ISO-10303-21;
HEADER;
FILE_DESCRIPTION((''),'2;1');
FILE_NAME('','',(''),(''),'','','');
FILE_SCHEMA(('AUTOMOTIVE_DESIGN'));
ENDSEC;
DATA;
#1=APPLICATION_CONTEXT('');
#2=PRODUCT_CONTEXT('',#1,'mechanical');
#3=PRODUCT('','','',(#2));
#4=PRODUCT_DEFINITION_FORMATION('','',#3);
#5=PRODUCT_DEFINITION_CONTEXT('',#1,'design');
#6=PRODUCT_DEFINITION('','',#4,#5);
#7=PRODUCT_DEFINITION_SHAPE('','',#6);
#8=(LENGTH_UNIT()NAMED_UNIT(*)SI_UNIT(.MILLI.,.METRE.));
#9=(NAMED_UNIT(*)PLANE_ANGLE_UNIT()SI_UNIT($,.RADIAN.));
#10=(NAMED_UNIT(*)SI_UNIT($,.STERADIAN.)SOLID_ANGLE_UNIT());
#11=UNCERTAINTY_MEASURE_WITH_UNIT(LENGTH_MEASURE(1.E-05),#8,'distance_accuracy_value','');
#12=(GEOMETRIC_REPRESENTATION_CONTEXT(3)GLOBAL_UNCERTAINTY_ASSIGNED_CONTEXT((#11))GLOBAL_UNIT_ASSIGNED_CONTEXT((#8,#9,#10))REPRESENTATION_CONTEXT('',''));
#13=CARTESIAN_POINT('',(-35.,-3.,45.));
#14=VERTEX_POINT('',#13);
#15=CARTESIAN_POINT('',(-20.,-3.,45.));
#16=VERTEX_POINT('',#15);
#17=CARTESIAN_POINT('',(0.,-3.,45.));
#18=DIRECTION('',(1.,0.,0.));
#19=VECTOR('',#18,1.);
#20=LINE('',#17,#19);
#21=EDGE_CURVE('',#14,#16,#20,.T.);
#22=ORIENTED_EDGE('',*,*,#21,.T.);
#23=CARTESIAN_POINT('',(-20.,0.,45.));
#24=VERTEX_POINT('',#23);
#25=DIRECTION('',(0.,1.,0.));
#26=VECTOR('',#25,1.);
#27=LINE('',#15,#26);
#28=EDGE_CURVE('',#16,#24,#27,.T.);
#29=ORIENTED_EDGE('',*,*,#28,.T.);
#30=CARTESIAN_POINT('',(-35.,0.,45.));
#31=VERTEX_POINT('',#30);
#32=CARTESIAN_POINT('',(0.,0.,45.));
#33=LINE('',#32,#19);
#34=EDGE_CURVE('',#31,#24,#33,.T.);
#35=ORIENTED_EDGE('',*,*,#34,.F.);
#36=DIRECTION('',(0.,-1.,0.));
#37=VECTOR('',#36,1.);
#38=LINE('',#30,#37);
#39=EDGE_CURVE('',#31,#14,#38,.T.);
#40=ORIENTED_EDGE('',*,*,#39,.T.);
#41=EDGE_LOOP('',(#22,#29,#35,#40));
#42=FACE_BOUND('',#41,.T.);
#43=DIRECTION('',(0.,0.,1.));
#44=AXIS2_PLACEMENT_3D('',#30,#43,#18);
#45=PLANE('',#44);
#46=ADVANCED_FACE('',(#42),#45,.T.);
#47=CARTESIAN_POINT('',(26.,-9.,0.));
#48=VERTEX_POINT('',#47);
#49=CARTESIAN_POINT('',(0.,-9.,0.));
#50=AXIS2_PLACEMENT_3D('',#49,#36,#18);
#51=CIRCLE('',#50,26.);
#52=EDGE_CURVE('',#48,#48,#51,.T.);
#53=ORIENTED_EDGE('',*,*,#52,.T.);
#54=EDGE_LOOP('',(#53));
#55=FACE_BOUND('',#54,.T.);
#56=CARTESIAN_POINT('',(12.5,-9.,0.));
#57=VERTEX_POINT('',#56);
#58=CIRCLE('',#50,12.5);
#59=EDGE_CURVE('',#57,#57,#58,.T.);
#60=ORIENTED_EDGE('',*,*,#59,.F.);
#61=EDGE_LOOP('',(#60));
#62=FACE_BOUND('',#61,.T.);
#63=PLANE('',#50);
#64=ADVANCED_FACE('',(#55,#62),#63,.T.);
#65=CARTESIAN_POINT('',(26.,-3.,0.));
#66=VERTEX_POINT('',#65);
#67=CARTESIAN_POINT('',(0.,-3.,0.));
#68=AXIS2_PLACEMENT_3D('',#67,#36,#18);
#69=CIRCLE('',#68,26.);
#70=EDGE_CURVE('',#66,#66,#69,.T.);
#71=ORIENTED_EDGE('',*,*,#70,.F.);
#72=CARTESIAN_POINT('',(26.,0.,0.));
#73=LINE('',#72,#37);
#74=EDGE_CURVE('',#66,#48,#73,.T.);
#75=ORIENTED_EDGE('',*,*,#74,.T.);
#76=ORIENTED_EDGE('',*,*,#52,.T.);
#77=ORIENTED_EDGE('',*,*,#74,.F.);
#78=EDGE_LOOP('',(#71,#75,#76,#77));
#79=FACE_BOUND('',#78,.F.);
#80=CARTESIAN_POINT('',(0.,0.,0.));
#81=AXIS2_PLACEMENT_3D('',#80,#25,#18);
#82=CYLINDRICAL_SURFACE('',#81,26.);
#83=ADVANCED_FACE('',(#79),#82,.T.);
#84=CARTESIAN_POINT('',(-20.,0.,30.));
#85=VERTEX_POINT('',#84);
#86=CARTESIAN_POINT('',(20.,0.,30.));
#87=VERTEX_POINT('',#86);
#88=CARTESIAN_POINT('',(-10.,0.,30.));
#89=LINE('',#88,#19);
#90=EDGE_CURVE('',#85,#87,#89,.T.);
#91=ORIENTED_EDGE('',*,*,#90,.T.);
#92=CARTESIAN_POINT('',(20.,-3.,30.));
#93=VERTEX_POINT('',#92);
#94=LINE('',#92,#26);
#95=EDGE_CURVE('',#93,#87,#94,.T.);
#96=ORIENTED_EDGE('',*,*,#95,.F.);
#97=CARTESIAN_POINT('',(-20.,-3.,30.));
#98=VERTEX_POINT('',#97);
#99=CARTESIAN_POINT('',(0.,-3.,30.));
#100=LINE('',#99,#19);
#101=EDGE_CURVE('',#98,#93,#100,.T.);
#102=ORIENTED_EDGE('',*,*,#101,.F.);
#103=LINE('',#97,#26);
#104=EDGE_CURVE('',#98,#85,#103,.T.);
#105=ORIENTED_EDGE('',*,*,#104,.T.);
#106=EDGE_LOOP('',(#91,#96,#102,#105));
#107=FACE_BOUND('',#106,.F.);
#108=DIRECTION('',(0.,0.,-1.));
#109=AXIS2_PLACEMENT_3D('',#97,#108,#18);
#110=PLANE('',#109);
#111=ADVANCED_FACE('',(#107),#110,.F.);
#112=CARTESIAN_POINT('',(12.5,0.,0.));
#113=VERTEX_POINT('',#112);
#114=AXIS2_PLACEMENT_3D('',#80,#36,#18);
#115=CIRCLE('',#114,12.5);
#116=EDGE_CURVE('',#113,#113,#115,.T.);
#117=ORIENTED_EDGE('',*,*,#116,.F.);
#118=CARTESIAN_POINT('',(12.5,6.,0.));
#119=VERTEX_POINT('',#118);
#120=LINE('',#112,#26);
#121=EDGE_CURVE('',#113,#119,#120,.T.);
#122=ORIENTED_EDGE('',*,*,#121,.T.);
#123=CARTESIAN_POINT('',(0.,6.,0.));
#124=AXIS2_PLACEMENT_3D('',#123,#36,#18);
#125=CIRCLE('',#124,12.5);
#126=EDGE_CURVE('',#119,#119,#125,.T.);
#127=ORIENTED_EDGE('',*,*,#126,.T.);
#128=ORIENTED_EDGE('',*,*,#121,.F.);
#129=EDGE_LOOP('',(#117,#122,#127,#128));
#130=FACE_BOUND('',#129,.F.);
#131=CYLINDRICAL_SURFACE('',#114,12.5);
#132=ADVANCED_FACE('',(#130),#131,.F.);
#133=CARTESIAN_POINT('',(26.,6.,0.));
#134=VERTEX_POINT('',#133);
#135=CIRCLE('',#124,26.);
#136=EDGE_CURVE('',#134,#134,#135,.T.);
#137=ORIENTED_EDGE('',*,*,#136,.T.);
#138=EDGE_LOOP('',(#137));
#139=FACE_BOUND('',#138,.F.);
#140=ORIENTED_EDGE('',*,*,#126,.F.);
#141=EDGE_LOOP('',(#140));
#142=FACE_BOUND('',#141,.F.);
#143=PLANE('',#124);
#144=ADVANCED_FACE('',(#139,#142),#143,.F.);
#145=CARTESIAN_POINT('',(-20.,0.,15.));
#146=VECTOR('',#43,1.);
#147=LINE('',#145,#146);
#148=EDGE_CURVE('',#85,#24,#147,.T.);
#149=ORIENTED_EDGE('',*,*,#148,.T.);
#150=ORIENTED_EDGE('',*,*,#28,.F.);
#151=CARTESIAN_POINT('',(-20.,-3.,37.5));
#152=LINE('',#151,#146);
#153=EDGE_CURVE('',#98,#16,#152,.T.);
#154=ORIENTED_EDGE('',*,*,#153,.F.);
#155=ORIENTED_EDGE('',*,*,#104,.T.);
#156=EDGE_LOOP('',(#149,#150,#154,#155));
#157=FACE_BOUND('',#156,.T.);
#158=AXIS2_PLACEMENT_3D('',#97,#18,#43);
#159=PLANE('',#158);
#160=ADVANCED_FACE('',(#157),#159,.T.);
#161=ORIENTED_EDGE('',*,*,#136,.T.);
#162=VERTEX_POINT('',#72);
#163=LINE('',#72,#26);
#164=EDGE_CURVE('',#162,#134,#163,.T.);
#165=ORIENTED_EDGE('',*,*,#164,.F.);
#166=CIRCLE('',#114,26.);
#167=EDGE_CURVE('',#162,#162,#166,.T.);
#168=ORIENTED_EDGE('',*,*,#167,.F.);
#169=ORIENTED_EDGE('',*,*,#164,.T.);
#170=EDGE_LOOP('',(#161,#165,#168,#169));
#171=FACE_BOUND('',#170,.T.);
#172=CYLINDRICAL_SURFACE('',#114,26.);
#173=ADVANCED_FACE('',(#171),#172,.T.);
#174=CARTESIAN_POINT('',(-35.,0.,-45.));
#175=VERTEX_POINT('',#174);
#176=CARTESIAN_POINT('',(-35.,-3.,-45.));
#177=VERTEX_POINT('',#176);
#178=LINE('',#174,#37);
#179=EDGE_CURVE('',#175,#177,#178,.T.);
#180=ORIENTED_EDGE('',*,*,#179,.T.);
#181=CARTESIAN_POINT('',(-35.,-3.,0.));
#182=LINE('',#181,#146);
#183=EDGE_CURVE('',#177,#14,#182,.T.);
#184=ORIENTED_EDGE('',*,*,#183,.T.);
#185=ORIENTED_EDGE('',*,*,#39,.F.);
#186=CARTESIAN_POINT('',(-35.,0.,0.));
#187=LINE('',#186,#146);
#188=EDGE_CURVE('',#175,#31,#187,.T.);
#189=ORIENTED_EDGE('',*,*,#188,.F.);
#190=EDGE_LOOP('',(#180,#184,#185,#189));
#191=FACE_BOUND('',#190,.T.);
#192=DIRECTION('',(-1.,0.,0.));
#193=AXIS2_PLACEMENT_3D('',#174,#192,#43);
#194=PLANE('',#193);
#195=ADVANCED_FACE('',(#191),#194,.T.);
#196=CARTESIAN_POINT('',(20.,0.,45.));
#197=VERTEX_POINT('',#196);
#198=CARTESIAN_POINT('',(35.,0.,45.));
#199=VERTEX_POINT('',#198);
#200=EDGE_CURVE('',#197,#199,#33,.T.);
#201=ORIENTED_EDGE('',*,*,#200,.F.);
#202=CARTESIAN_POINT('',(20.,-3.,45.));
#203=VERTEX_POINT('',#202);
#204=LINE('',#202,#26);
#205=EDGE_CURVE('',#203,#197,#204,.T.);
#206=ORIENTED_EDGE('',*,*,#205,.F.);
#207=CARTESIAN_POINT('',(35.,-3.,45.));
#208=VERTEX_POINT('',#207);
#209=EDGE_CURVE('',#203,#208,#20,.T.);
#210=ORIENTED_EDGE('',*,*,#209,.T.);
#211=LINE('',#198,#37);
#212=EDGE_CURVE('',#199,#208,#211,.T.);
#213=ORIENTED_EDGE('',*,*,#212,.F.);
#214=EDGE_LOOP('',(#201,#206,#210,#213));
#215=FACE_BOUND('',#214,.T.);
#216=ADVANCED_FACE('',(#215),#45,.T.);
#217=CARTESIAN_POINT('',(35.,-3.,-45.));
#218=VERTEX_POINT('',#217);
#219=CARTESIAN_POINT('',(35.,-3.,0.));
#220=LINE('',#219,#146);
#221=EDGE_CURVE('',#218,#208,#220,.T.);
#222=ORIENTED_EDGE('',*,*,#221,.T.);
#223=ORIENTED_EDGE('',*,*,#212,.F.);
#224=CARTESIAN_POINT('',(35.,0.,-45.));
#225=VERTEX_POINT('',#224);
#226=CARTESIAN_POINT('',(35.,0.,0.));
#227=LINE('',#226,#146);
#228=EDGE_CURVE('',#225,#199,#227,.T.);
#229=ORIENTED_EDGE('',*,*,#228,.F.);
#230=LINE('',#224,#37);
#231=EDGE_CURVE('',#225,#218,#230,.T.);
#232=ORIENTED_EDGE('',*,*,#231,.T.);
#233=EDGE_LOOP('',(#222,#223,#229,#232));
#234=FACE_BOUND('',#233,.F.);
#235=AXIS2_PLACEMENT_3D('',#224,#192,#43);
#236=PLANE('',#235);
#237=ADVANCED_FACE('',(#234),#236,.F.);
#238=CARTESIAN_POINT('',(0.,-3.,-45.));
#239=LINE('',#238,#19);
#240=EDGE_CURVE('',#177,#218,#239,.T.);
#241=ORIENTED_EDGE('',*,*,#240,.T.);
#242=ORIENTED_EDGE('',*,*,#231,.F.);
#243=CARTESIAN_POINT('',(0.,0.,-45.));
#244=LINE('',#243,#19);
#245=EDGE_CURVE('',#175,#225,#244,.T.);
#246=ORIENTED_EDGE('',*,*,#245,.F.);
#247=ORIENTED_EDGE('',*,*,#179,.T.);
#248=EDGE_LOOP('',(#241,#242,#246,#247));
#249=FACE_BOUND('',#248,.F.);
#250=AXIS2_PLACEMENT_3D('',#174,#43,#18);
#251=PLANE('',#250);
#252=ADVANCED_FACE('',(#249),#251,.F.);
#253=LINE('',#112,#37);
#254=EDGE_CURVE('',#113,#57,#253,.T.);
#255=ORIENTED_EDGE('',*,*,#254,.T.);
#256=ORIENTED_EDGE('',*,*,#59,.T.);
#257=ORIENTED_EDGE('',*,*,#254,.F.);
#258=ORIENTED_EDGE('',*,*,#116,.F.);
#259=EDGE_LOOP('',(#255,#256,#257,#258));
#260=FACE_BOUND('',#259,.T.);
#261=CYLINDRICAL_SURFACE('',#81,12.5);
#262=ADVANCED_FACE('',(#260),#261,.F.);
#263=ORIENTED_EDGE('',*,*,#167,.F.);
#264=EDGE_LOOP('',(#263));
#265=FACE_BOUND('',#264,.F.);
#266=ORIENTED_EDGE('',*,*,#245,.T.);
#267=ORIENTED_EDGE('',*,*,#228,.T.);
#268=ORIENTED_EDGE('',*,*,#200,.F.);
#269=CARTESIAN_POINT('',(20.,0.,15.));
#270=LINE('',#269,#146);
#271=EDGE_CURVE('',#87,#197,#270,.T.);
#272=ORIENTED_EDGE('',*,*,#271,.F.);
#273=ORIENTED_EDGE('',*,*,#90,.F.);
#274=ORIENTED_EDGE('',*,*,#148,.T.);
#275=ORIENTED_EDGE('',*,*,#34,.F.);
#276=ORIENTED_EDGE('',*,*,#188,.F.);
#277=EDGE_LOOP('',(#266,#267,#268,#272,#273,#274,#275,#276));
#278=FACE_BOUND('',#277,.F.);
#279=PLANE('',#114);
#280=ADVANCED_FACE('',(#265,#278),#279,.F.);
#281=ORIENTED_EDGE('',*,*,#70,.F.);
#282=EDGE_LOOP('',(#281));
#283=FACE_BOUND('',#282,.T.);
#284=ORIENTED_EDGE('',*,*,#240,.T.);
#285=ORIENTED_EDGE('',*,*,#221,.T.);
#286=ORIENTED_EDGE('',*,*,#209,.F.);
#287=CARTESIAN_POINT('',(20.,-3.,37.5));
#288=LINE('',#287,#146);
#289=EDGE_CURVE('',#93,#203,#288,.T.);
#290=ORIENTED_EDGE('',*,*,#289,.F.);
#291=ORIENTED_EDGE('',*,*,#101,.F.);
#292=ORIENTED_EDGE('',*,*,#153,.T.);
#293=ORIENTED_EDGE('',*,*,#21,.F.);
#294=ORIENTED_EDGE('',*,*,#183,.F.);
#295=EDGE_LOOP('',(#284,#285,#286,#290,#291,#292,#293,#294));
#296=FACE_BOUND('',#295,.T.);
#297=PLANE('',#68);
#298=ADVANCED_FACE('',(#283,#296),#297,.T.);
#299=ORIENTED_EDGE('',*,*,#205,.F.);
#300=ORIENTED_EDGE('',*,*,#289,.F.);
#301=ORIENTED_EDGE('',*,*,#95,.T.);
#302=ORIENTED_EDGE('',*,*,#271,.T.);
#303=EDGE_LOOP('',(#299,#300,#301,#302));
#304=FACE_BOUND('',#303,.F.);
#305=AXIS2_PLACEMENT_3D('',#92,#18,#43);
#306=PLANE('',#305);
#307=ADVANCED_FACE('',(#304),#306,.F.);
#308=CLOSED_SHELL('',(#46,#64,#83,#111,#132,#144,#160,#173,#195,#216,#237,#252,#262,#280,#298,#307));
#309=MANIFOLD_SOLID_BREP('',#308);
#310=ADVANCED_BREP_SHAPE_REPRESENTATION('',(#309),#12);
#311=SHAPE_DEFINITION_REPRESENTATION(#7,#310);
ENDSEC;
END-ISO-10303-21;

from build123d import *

# Parameters (mm, degrees)
F0_W          = 70
F0_H          = 90
F1_DEPTH      = 3
F2_D          = 52
F3_R          = 26
F3_R_2        = 12.5
F4_DEPTH      = 9
F4_DEPTH_BACK = 6
F5_W          = 40
F5_H          = 15
F6_DEPTH      = 25


with BuildPart() as f1:
    # F0 (on Front) → F1 (new body)
    with BuildSketch(Plane.XZ):
        Rectangle(F0_W, F0_H)
    extrude(amount=F1_DEPTH)

    # F2 (through all)
    with Locations(Plane(origin=(0, 0, 0), x_dir=(1, 0, 0), z_dir=(0, 1, 0))):
        with Locations((0, 0)):
            Hole(F2_D / 2)

    # F3 (on Front) → F4 (join, two sides)
    with BuildSketch(Plane.XZ) as f4_sk:
        Circle(F3_R)
        Circle(F3_R_2, mode=Mode.SUBTRACT)
    extrude(amount=F4_DEPTH)
    extrude(f4_sk.sketch, amount=-F4_DEPTH_BACK)

    # F5 (on face) → F6 (cut)
    with BuildSketch(Plane.XZ.offset(3)):
        with Locations((0, 37.5)):
            Rectangle(F5_W, F5_H)
    extrude(amount=-F6_DEPTH, mode=Mode.SUBTRACT)


solid = f1.part
